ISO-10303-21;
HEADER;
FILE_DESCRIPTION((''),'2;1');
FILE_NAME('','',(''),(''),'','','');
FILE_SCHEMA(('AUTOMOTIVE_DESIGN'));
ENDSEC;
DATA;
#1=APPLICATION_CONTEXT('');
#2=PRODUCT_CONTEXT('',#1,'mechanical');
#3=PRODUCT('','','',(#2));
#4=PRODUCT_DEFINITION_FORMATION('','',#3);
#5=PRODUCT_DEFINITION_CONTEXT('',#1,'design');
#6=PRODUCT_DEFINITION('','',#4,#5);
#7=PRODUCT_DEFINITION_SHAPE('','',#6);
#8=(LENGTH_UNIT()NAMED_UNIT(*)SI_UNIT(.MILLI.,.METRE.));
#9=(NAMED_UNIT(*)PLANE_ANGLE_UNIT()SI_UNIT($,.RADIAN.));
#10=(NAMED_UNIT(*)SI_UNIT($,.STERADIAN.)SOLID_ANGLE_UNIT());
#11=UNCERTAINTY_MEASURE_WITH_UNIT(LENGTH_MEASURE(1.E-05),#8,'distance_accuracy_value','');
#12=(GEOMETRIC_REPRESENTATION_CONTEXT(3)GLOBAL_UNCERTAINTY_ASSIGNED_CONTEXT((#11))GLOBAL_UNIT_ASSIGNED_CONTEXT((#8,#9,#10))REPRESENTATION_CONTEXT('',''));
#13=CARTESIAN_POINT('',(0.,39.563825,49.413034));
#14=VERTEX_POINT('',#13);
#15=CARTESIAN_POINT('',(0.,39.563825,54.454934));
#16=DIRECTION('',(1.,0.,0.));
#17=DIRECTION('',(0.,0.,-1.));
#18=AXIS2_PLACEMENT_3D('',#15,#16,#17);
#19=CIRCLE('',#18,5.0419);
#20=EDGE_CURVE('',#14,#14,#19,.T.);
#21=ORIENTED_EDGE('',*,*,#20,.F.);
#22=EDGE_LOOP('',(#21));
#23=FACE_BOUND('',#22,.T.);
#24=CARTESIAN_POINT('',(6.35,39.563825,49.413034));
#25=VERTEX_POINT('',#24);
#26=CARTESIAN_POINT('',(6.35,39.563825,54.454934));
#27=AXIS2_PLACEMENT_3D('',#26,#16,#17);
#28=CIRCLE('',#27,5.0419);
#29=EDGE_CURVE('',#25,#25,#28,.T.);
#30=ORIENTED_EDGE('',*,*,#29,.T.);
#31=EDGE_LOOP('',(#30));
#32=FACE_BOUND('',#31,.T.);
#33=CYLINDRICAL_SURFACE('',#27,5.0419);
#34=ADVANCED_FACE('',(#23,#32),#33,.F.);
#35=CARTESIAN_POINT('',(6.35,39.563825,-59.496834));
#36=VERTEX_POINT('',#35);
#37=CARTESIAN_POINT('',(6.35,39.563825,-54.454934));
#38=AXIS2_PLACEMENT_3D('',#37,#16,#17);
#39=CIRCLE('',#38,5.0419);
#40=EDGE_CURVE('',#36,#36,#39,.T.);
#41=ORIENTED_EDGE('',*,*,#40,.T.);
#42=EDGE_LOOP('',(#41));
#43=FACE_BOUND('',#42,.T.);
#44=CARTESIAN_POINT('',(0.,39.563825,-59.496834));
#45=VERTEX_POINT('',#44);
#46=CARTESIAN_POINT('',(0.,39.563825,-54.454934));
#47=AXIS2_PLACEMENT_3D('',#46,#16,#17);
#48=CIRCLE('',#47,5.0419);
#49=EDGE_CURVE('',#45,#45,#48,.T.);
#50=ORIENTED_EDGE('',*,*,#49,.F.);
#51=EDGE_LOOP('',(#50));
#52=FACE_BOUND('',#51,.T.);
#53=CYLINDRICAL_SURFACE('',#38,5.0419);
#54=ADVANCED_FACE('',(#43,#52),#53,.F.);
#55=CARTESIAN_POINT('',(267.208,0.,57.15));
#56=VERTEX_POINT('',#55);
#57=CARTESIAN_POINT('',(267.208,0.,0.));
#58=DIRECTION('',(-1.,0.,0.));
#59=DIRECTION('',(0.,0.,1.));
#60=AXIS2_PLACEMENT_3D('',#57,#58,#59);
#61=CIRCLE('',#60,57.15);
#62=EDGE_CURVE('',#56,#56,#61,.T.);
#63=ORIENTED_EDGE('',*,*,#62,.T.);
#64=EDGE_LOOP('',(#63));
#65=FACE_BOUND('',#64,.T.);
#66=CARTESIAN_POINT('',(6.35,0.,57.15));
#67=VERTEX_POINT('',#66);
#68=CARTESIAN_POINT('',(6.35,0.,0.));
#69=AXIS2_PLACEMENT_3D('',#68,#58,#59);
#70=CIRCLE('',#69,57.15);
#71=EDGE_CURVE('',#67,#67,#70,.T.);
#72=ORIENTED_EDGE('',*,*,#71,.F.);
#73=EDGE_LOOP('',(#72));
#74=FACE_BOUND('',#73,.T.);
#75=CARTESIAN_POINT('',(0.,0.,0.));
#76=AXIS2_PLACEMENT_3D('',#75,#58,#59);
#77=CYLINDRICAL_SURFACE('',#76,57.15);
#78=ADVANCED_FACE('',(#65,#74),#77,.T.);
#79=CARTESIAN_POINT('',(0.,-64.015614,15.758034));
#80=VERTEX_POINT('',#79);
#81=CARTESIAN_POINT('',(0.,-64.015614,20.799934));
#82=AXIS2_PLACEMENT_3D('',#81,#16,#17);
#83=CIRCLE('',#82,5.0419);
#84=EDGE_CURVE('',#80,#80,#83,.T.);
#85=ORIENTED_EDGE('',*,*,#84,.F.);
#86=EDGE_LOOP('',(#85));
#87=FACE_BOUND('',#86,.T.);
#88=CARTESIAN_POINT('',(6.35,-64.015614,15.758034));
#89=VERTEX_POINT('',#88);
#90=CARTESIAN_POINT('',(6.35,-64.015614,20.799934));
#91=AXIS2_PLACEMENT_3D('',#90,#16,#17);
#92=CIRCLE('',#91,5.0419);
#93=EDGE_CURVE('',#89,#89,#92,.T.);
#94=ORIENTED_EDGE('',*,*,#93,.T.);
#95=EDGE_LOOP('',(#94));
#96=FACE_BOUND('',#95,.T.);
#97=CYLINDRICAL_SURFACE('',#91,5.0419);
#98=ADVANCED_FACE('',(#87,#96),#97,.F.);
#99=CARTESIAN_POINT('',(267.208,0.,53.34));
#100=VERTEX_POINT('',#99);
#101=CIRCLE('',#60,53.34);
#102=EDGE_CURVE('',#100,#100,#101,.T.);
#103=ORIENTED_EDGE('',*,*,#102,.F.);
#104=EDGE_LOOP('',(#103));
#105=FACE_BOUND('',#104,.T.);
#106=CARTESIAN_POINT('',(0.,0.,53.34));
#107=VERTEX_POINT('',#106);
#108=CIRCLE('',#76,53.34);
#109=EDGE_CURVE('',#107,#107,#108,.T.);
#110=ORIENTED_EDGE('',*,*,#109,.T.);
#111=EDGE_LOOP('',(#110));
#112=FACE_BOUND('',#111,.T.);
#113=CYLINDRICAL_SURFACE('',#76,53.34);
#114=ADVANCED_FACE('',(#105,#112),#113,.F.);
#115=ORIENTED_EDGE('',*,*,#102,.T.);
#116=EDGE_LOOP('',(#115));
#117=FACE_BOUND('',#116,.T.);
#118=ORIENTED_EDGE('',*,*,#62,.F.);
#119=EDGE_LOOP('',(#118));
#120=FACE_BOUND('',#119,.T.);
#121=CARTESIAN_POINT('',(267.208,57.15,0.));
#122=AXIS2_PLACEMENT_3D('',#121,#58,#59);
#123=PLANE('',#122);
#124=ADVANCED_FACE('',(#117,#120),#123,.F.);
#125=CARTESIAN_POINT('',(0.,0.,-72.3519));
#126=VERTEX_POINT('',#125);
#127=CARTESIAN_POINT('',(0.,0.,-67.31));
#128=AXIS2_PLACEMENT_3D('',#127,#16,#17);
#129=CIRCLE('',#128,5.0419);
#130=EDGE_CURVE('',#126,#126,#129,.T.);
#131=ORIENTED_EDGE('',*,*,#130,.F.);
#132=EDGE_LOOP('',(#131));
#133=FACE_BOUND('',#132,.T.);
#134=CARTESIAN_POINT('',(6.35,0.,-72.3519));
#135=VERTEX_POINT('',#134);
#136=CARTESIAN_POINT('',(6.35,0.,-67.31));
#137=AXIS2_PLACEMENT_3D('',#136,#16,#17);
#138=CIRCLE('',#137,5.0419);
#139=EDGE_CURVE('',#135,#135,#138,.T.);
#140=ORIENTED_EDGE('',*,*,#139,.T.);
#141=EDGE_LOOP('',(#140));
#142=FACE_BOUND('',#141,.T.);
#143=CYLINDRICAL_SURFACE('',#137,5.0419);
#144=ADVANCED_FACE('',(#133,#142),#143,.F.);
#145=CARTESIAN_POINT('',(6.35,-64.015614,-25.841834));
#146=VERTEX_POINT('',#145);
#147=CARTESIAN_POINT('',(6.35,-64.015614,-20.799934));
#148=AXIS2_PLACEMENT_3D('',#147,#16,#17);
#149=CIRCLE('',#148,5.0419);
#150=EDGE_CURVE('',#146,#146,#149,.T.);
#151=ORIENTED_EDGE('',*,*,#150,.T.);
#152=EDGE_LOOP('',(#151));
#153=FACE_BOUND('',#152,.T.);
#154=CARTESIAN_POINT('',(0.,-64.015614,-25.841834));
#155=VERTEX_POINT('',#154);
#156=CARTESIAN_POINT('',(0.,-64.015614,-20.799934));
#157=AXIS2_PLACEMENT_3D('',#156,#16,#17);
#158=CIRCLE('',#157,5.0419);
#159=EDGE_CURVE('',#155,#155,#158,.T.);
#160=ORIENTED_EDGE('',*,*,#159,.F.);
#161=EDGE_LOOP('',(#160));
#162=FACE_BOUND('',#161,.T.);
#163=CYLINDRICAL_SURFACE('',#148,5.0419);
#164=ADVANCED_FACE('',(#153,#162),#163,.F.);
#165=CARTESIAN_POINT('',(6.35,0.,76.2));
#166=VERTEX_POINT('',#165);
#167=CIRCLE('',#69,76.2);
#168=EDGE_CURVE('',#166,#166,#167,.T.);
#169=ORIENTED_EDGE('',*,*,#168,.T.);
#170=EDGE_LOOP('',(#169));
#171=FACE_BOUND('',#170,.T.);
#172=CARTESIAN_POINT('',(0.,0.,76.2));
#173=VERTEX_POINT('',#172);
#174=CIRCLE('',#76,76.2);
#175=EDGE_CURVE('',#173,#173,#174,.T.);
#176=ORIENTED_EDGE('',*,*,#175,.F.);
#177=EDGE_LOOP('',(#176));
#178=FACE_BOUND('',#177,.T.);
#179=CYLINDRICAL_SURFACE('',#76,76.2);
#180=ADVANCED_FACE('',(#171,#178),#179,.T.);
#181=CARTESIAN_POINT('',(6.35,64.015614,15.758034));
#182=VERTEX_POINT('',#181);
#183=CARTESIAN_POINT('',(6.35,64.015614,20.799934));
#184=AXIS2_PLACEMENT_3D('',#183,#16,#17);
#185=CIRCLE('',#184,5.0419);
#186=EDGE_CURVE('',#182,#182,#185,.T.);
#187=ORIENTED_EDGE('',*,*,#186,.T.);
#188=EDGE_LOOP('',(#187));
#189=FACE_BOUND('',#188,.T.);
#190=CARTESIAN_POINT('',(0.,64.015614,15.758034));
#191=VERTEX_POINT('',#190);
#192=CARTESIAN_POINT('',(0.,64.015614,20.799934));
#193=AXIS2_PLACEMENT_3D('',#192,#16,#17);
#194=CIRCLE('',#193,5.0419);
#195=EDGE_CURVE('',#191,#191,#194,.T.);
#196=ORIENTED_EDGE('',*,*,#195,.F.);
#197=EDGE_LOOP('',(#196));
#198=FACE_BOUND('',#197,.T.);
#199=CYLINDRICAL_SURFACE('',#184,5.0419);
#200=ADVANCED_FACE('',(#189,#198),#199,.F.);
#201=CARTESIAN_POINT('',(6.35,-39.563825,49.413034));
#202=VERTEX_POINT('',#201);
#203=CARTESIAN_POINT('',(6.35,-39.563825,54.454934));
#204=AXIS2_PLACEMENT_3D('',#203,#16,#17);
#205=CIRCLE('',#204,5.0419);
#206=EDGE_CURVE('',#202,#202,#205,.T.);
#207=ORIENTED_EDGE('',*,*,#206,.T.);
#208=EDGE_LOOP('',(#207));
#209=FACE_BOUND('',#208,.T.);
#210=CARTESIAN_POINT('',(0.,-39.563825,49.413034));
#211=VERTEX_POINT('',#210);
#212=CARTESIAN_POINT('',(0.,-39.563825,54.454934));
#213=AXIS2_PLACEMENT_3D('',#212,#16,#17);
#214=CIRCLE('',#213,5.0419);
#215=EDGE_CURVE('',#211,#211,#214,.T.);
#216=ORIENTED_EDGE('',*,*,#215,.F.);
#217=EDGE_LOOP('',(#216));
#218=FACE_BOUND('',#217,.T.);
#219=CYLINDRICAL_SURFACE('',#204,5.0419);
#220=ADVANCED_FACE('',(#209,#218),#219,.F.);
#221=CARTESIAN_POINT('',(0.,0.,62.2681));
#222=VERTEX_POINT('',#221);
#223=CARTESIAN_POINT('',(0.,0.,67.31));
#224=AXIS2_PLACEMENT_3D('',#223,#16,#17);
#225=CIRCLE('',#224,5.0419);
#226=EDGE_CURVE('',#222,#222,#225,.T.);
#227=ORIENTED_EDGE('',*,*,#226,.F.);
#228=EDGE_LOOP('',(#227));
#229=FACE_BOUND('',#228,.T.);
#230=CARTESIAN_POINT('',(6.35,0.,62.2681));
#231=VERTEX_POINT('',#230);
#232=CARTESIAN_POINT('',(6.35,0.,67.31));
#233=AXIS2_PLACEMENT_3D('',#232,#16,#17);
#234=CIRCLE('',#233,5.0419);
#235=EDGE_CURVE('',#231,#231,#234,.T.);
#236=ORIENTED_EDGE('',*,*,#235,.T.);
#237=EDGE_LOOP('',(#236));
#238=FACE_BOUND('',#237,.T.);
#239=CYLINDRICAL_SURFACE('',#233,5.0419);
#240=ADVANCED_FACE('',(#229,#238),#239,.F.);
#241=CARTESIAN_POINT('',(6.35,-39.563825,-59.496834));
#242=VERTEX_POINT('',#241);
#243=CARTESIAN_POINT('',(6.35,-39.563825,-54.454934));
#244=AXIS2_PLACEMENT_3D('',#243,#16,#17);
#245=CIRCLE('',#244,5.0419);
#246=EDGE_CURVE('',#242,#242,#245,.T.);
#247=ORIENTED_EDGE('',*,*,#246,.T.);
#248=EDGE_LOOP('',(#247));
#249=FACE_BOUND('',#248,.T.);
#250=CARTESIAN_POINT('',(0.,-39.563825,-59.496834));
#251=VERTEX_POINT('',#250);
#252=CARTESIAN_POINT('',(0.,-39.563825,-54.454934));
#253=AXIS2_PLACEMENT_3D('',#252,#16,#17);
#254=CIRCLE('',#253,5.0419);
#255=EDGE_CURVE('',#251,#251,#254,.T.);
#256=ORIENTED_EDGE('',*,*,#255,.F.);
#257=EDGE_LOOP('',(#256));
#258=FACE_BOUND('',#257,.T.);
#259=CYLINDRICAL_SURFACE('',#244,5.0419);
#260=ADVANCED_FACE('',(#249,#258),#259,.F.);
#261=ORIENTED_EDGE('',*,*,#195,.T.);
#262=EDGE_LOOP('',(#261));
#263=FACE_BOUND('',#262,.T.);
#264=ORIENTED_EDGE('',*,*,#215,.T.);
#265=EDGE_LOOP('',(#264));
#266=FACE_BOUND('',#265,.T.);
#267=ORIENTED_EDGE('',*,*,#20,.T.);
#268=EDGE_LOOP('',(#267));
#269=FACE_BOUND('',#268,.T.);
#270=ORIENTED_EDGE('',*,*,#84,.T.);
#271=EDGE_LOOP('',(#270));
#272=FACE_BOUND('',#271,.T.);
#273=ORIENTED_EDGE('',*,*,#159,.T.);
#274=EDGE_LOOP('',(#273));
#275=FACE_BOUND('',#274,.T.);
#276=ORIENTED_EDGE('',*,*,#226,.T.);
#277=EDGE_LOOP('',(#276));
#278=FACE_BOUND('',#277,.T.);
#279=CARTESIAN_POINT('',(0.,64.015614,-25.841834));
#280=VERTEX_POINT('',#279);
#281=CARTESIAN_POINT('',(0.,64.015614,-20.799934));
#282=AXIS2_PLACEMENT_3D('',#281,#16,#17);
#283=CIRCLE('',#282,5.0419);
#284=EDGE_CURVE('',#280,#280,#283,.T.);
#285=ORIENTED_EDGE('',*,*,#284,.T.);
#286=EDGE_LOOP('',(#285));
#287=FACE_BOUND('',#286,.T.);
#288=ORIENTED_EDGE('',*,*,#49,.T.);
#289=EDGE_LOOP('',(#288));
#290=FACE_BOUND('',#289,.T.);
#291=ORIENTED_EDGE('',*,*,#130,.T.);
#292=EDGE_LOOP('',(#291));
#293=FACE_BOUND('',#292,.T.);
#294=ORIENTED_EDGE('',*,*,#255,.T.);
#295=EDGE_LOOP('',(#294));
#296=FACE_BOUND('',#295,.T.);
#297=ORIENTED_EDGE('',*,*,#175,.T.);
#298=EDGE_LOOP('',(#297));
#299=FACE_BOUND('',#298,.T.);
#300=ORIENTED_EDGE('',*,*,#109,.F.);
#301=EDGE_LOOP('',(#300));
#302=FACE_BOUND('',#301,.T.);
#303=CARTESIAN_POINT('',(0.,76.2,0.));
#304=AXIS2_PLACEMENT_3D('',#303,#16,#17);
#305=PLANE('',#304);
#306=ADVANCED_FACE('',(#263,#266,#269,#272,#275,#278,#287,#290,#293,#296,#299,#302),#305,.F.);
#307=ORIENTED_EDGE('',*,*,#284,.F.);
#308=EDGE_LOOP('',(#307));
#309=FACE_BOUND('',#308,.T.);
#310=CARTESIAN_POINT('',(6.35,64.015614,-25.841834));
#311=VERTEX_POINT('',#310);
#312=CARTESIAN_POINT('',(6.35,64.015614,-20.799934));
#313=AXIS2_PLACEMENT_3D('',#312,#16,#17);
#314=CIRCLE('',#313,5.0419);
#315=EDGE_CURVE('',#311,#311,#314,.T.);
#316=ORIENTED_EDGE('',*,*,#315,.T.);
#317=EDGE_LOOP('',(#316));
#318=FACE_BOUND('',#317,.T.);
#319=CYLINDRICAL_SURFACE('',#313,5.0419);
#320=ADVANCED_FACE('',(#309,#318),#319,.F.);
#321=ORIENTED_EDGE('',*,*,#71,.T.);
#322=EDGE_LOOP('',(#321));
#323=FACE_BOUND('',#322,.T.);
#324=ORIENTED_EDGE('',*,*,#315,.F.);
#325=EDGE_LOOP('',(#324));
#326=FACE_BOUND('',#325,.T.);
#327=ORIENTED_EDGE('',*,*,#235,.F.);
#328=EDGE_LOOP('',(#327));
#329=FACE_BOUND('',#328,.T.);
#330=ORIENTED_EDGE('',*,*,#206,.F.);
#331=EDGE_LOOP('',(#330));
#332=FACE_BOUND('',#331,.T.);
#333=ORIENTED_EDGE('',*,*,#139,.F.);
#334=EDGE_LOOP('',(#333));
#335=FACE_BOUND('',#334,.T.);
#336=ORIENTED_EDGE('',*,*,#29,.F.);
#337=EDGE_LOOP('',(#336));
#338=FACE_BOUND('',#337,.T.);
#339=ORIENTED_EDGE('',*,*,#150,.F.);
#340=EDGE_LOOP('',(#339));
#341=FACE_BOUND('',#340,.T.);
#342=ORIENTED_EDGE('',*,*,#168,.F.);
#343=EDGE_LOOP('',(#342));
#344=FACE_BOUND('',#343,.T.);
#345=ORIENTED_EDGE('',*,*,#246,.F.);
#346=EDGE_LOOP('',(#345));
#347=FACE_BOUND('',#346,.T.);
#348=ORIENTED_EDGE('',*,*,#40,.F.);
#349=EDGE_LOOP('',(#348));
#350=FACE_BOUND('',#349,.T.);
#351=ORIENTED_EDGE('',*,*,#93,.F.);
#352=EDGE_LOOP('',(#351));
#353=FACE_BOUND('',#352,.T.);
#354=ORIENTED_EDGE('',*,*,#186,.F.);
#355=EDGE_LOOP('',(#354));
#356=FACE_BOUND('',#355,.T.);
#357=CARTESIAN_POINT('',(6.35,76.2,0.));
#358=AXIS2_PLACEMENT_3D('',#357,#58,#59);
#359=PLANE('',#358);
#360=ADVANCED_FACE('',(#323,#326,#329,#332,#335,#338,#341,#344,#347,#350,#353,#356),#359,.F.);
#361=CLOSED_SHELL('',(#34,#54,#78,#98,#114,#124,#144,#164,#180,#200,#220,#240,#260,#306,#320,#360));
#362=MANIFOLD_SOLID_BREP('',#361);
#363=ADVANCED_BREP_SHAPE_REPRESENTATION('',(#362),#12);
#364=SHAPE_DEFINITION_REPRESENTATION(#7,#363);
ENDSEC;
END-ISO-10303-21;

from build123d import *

# Parameters (mm, degrees)
F_3_8_CLEARANCE_HOLE1_D = 10.0838
CIRPATTERN1_COUNT       = 10


with BuildPart() as part:
    # Sketch1 → Revolve1 (revolve)
    with BuildSketch(Plane.XY, mode=Mode.PRIVATE) as revolve1_sk:
        Polygon((0, 76.2), (6.35, 76.2), (6.35, 57.15), (267.208, 57.15), (267.208, 53.34), (0, 53.34), align=None)
    revolve(revolve1_sk.sketch.rotate(Axis((0, 0, 0), (1, 0, 0)), 90), axis=Axis((0, 0, 0), (1, 0, 0)))

    # 3/8 Clearance Hole1 (through all)
    with Locations(Plane(origin=(6.35, 0, -67.31), x_dir=(0, 0, 1), z_dir=(1, 0, 0))):
        with Locations((0, 0)):
            f_3_8_clearance_hole1 = Hole(F_3_8_CLEARANCE_HOLE1_D / 2)

    # CirPattern1: 3/8 Clearance Hole1 ×10 about axis
    cirpattern1_axis = Axis((0, 0, 0), (1, 0, 0))
    for i in range(1, CIRPATTERN1_COUNT):
        add(f_3_8_clearance_hole1.rotate(cirpattern1_axis, i * 360 / CIRPATTERN1_COUNT), mode=Mode.SUBTRACT)


solid = part.part
